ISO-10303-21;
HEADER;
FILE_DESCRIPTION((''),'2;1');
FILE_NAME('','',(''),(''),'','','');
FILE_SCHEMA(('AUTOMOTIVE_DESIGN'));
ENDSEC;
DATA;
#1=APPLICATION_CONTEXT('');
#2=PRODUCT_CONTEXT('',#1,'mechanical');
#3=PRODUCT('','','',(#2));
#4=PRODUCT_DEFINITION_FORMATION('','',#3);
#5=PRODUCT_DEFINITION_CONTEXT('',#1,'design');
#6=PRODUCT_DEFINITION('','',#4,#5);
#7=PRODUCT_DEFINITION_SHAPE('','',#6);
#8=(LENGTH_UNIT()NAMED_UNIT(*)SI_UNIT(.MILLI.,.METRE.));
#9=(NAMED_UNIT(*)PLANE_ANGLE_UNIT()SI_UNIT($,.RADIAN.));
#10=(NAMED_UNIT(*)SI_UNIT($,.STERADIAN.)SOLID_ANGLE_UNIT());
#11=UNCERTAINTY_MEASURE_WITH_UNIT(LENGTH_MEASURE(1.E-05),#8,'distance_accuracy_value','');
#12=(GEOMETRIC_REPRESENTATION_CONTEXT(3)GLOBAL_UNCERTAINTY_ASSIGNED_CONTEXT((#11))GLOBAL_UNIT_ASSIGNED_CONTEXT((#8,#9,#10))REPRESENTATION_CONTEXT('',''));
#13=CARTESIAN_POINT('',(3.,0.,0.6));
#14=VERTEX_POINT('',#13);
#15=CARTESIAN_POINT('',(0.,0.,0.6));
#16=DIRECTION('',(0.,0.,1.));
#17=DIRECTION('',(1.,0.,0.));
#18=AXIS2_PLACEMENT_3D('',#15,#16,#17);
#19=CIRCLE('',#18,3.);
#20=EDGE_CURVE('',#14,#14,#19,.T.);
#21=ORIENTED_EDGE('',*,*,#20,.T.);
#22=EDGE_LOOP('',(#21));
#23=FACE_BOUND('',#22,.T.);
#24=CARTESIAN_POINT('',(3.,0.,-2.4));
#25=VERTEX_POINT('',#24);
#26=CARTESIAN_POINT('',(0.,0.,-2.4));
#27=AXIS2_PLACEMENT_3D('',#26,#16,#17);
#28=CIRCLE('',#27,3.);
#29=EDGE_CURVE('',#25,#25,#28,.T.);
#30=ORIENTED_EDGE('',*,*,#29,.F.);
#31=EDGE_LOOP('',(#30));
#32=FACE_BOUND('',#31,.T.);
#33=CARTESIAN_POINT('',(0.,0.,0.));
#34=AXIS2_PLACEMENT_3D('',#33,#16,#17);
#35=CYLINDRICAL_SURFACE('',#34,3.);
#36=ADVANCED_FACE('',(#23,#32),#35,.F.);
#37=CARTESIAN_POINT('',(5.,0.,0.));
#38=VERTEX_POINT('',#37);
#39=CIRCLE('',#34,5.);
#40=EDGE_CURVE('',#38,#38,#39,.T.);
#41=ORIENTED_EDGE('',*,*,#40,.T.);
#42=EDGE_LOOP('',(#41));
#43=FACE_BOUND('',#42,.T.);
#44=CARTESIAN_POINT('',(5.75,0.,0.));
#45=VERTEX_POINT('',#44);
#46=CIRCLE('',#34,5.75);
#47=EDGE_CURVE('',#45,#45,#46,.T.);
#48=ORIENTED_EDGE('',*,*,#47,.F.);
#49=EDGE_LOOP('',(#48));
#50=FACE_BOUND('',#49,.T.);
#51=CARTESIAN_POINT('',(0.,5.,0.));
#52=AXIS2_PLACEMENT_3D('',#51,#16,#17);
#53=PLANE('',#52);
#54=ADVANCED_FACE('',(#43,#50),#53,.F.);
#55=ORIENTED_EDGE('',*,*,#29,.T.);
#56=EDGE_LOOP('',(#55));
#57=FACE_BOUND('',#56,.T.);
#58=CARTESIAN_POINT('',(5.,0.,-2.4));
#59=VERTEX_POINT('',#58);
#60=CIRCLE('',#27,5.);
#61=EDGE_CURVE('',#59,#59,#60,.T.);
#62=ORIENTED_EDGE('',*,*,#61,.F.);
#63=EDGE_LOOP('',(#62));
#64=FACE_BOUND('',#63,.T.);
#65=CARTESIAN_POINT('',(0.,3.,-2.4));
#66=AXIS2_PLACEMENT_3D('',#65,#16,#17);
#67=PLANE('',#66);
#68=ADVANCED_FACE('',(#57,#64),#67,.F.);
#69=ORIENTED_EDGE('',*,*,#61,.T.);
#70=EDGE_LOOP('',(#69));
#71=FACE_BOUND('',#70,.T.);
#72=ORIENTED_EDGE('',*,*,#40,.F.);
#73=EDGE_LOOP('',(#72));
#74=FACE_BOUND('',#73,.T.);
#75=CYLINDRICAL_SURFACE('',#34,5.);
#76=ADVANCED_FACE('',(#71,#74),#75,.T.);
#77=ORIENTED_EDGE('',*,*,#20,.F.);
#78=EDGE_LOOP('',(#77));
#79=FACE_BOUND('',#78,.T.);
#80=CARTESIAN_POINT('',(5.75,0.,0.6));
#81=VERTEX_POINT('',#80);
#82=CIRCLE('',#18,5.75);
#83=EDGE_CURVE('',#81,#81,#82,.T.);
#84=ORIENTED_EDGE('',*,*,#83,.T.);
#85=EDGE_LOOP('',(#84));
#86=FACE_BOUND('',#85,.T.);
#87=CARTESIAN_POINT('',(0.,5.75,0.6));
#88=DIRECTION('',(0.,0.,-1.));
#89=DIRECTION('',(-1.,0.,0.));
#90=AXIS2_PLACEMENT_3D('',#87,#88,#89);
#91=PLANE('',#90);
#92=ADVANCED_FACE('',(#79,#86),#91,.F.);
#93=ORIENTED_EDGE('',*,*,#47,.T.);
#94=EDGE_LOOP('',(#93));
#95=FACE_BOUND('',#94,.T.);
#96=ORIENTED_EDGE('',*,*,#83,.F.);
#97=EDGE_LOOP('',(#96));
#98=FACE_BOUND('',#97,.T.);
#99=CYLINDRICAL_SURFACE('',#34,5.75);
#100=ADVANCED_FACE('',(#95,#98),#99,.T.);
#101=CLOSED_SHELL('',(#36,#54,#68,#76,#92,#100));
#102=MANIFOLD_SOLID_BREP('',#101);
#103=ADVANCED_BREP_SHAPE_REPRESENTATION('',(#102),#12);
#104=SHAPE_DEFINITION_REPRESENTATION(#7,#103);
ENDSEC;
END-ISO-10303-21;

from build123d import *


with BuildPart() as part:
    # ｽｹｯﾁ1 → 回転1 (revolve)
    with BuildSketch(Plane(origin=(0, 0, 0), x_dir=(0, 0, -1), z_dir=(1, 0, 0)), mode=Mode.PRIVATE) as revolve_1_sk:
        Polygon((-0.6, 5.75), (-0.6, 3), (2.4, 3), (2.4, 5), (0, 5), (0, 5.75), align=None)
    revolve(revolve_1_sk.sketch.rotate(Axis((0, 0, 0), (0, 0, -1)), 90), axis=Axis((0, 0, 0), (0, 0, -1)))


solid = part.part
